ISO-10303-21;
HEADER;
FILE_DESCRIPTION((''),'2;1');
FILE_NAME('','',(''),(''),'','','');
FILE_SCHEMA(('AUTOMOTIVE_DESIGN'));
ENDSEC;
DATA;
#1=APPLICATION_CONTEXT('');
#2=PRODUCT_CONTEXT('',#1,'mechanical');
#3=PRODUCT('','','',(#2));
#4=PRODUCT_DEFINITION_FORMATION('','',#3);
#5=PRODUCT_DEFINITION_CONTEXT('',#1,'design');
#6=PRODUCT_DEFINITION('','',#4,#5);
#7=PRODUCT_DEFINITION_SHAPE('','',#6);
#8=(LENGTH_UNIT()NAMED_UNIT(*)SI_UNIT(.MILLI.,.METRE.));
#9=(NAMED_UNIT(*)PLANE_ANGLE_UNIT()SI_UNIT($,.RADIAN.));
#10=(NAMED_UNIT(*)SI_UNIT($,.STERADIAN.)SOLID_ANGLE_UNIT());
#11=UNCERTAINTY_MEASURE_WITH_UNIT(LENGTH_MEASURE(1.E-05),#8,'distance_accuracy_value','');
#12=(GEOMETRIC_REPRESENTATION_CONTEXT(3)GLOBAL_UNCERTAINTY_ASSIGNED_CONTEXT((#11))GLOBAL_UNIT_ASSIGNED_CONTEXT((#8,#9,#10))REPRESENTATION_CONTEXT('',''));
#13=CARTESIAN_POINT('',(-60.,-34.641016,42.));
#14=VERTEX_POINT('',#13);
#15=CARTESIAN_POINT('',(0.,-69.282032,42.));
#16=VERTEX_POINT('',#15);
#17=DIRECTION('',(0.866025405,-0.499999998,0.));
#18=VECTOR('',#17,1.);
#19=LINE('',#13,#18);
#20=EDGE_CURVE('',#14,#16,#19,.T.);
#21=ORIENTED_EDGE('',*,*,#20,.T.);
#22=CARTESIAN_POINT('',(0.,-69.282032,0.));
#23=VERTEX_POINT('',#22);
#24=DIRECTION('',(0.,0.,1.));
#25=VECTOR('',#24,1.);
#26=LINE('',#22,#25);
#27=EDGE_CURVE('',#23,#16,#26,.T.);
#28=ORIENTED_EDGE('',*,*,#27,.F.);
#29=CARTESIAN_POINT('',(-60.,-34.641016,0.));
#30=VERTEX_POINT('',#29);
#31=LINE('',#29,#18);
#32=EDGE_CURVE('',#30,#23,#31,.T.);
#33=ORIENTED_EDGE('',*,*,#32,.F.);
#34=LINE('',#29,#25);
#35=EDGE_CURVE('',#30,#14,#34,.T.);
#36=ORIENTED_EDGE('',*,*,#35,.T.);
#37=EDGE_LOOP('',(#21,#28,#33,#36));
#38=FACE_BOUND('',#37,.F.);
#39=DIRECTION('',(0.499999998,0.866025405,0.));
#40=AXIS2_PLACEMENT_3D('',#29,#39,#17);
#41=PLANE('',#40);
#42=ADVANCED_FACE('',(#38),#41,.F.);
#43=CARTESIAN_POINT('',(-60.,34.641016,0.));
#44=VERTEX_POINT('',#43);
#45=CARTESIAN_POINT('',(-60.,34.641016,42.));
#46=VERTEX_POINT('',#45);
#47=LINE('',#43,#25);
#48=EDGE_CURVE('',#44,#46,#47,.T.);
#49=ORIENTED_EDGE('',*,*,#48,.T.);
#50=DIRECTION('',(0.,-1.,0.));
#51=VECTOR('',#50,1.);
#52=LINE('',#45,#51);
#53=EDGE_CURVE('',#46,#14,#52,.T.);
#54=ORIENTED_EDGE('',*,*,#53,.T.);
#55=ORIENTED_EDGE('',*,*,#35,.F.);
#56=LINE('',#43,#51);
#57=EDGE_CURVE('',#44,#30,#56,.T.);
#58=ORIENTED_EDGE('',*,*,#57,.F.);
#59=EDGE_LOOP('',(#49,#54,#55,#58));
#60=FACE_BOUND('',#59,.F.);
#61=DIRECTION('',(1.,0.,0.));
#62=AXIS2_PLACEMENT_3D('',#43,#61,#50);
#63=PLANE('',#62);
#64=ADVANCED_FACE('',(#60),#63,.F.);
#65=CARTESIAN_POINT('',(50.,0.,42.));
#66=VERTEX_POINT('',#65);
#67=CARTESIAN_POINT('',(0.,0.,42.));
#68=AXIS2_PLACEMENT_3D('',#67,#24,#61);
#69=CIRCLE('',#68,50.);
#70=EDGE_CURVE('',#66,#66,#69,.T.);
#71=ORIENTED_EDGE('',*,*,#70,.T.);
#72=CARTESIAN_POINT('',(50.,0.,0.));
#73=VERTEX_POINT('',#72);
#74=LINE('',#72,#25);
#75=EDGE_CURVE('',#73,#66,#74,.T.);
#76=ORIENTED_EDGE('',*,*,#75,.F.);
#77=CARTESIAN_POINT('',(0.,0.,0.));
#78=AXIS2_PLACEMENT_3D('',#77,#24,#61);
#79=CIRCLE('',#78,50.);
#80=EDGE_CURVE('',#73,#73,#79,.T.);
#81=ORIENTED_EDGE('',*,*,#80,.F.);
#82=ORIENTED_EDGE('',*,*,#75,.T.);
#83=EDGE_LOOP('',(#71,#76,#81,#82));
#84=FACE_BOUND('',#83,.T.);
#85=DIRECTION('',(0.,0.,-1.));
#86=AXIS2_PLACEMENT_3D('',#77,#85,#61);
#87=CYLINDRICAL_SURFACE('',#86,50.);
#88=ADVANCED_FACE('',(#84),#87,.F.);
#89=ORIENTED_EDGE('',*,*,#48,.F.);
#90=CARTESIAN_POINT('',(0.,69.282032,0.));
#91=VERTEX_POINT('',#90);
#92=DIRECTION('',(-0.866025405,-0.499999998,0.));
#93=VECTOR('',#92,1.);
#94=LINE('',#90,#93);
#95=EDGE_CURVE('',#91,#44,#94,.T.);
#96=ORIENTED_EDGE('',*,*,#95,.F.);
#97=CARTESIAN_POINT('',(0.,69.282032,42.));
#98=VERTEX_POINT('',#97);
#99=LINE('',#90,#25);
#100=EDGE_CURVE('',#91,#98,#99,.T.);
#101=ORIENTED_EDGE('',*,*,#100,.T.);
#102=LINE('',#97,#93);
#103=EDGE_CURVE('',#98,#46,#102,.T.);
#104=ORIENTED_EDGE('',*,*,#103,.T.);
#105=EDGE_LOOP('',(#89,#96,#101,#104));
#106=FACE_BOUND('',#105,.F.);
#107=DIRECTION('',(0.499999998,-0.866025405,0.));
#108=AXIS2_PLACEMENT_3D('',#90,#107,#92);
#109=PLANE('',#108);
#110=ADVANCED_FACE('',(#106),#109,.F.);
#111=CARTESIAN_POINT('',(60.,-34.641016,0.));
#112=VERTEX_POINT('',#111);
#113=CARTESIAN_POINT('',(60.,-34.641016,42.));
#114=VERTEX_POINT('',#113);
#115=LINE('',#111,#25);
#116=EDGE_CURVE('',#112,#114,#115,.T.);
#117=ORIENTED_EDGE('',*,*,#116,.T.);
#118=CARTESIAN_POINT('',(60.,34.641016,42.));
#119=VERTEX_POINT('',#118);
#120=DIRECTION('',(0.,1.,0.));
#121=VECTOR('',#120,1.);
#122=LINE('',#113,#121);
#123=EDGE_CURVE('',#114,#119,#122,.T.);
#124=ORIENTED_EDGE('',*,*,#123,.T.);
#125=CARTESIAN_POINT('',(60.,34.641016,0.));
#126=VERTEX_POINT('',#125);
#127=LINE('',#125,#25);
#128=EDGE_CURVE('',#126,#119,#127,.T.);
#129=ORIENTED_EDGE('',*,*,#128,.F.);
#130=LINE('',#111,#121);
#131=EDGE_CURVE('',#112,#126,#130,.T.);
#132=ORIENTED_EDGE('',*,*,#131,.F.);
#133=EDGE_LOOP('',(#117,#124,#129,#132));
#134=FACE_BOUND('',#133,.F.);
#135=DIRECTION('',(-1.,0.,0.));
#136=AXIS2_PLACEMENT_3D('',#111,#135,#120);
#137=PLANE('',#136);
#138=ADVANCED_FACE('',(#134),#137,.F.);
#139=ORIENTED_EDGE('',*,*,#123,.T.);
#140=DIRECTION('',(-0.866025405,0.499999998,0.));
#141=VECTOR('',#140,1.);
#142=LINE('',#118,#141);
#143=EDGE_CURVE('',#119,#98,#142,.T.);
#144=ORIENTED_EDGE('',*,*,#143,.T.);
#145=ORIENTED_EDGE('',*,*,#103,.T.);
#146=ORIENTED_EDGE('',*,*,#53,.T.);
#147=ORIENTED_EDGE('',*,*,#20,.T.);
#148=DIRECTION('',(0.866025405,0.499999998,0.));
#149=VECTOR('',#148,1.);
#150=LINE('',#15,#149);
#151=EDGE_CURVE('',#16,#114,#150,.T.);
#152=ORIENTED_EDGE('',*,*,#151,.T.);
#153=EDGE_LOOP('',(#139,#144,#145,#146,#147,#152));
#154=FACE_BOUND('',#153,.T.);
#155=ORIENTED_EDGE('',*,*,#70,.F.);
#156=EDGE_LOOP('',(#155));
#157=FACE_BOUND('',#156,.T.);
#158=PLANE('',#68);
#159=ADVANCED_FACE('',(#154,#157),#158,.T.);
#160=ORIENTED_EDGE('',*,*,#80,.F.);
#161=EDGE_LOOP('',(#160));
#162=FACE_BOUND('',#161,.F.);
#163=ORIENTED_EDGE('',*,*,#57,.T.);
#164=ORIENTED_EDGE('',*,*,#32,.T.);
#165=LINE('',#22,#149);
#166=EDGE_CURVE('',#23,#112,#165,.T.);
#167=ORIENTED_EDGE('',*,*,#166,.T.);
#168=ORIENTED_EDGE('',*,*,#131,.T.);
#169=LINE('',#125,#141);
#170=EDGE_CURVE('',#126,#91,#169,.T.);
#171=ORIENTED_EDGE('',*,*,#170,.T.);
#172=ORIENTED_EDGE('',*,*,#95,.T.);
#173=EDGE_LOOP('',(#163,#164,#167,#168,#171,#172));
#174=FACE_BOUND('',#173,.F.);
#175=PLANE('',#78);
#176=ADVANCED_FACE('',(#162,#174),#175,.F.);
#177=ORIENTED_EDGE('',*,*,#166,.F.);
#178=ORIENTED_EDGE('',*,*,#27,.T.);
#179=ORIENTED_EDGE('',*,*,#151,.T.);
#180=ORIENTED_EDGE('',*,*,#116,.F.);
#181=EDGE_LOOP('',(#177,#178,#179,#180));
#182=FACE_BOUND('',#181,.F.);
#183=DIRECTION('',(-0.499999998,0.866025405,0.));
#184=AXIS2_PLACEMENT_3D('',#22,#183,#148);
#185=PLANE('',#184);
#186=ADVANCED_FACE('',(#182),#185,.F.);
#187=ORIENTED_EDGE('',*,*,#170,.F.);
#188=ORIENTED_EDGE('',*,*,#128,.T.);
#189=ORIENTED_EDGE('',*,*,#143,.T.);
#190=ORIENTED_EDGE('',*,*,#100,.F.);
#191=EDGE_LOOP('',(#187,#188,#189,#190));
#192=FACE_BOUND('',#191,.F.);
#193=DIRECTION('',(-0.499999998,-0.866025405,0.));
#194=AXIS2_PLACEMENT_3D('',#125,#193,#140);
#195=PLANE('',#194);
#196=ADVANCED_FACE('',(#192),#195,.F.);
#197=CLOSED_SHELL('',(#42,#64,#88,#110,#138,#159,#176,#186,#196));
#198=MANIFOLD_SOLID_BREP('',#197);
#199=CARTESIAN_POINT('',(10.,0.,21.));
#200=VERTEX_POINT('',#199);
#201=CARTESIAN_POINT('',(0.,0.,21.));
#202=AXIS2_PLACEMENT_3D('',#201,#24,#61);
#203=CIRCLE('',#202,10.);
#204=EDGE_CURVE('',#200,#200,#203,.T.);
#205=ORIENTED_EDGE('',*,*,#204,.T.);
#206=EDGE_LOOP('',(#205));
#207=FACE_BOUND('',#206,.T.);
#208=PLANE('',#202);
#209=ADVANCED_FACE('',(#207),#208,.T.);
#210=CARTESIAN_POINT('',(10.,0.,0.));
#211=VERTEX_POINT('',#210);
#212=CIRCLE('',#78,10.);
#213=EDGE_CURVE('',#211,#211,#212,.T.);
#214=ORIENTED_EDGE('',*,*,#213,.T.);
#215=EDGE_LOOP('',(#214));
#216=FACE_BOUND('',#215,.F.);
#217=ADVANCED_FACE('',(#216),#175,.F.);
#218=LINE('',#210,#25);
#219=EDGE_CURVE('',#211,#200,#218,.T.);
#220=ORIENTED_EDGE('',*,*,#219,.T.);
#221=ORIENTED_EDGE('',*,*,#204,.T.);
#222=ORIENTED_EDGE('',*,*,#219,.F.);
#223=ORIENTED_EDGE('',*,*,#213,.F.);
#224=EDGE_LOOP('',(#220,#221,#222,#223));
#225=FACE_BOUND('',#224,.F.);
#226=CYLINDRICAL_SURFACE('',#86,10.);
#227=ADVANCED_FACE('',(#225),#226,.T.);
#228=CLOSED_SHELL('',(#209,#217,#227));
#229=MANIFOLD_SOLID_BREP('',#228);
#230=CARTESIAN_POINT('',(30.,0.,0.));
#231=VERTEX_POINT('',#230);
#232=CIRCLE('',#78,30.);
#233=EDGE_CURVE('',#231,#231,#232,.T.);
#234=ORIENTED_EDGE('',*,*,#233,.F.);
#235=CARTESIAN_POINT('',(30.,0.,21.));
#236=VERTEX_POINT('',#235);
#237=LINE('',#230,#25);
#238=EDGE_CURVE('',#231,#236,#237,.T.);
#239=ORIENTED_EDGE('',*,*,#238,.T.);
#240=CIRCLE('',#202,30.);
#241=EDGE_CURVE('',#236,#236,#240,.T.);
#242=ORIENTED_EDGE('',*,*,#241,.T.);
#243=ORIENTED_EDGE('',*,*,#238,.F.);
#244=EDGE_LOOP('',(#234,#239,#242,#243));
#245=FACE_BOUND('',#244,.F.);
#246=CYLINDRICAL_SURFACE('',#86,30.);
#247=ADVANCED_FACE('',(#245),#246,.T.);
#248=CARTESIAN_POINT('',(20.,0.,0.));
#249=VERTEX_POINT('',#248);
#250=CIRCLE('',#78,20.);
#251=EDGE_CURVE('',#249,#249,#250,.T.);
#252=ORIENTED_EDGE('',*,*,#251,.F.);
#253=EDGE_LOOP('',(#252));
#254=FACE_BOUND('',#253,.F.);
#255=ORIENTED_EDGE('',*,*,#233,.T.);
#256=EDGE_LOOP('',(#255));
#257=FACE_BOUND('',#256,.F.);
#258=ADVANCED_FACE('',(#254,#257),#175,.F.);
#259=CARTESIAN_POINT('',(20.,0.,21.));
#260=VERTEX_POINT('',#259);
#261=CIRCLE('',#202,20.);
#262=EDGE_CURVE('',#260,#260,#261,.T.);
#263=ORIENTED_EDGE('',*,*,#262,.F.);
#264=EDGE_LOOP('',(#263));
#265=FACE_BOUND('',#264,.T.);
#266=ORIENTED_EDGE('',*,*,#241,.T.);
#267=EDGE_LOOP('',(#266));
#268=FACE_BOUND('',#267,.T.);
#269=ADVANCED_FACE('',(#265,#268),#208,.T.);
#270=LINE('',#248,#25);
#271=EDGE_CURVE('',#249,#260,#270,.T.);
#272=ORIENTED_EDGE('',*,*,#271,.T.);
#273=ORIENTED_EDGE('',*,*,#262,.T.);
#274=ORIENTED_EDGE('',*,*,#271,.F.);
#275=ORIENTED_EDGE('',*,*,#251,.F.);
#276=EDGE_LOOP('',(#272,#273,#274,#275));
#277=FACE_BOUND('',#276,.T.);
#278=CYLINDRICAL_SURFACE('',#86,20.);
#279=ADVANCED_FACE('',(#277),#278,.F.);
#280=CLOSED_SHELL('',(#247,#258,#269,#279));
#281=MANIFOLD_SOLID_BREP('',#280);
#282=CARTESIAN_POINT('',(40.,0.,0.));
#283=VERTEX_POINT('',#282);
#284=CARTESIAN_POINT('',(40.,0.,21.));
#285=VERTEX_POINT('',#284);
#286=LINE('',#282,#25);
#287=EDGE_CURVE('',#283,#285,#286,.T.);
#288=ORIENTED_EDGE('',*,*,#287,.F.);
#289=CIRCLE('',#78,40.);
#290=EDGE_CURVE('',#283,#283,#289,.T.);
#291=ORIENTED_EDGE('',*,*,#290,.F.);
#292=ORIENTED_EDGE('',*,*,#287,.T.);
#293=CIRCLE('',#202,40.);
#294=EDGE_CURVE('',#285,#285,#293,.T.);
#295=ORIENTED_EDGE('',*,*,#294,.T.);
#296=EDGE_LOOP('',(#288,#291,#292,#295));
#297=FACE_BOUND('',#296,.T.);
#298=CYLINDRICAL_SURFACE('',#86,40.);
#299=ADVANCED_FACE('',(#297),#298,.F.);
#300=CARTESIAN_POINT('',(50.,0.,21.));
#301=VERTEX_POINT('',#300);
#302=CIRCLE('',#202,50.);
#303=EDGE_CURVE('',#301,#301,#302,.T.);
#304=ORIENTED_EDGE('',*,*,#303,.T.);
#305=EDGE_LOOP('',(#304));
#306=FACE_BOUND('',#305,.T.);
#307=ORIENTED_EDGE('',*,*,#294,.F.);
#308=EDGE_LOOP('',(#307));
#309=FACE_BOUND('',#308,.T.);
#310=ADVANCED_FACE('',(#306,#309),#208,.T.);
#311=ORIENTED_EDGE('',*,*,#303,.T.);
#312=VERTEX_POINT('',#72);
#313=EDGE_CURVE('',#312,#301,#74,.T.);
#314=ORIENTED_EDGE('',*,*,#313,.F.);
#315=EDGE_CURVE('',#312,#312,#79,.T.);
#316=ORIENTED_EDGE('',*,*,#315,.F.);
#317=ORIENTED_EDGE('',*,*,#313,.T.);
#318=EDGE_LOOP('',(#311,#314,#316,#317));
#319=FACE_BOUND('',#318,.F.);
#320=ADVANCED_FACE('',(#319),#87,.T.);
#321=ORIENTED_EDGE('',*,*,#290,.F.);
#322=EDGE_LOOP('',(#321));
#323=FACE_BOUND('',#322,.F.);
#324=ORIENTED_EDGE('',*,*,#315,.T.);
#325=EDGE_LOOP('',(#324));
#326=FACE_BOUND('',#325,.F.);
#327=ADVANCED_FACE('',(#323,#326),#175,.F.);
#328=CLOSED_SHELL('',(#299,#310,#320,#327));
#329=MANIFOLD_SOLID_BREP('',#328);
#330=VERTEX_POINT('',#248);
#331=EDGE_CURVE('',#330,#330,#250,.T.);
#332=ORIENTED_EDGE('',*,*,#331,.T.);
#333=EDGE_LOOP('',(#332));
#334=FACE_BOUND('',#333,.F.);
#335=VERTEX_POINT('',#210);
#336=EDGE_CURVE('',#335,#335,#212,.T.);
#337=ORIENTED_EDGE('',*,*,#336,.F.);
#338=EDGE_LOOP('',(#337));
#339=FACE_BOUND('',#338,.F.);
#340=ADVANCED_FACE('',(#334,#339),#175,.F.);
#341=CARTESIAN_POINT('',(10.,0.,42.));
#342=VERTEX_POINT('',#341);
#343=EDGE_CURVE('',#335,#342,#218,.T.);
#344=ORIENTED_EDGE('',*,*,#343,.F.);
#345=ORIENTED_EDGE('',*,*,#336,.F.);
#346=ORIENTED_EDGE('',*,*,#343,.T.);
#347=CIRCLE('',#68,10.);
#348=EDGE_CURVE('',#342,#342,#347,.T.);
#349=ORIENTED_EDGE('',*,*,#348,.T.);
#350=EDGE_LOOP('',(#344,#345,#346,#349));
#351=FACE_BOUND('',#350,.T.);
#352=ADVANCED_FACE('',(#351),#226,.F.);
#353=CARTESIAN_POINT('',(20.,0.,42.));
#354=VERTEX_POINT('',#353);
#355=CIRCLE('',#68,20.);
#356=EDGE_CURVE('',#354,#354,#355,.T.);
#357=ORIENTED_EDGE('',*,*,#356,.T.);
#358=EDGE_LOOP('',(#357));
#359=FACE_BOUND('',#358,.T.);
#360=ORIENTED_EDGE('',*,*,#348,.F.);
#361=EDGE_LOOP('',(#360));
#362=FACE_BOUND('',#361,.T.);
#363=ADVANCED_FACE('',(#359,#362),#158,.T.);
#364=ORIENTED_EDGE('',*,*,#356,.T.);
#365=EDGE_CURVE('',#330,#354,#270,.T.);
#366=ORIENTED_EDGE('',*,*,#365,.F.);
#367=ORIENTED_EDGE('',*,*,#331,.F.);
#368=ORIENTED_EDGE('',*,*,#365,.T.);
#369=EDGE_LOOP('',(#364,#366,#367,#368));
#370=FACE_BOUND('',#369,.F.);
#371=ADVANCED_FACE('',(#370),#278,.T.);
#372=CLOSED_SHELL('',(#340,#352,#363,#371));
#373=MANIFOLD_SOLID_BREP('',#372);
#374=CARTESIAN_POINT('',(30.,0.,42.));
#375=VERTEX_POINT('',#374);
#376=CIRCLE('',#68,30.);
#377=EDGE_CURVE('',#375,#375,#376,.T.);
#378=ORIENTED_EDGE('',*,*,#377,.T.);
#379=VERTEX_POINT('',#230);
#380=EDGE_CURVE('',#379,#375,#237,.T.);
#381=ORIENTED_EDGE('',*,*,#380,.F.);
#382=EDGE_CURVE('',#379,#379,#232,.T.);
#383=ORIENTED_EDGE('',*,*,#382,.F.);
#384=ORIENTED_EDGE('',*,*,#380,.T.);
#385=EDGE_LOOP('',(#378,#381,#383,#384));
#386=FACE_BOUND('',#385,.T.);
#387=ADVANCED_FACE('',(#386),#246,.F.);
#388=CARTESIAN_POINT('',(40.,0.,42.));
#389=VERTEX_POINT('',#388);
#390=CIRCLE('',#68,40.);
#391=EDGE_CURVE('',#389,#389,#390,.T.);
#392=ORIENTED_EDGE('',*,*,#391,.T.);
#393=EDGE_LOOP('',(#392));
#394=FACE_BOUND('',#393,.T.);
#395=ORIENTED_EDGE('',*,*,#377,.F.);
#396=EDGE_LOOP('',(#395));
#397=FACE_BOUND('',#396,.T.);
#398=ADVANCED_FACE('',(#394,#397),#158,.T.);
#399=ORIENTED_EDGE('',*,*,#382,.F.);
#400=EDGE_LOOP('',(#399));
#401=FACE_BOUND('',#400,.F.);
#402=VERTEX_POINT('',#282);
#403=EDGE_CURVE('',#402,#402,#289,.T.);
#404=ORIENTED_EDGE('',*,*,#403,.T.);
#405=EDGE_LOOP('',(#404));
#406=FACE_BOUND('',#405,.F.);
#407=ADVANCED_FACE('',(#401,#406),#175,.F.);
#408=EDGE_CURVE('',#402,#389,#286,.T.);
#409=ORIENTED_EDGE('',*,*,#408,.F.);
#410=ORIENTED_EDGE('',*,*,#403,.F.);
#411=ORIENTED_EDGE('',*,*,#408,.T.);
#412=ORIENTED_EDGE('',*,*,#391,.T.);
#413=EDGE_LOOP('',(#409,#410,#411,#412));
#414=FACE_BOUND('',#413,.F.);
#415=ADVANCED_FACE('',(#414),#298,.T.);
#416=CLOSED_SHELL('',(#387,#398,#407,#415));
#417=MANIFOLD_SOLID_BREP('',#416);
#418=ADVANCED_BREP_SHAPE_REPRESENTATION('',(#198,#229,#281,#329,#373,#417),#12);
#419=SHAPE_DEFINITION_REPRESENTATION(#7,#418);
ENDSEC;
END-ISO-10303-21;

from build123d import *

# Parameters (mm, degrees)
F0_R     = 50
F0_R_2   = 40
F0_R_3   = 30
F0_R_4   = 20
F0_R_5   = 10
F1_DEPTH = 42
F2_DEPTH = 21


with BuildPart() as f1:
    # F0 (on Top) → F1 (new body)
    with BuildSketch(Plane.XY):
        Polygon((60, -34.641016), (60, 34.641016), (0, 69.282032), (-60, 34.641016), (-60, -34.641016), (0, -69.282032), align=None)
        Circle(F0_R, mode=Mode.SUBTRACT)
        Circle(F0_R_2)
        Circle(F0_R_3, mode=Mode.SUBTRACT)
        Circle(F0_R_4)
        Circle(F0_R_5, mode=Mode.SUBTRACT)
    extrude(amount=F1_DEPTH)


with BuildPart() as f2:
    # F0 (on Top) → F2 (new body)
    with BuildSketch(Plane.XY):
        Circle(F0_R)
        Circle(F0_R_2, mode=Mode.SUBTRACT)
        Circle(F0_R_3)
        Circle(F0_R_4, mode=Mode.SUBTRACT)
        Circle(F0_R_5)
    extrude(amount=F2_DEPTH)


solid = Compound([f1.part, f2.part])
